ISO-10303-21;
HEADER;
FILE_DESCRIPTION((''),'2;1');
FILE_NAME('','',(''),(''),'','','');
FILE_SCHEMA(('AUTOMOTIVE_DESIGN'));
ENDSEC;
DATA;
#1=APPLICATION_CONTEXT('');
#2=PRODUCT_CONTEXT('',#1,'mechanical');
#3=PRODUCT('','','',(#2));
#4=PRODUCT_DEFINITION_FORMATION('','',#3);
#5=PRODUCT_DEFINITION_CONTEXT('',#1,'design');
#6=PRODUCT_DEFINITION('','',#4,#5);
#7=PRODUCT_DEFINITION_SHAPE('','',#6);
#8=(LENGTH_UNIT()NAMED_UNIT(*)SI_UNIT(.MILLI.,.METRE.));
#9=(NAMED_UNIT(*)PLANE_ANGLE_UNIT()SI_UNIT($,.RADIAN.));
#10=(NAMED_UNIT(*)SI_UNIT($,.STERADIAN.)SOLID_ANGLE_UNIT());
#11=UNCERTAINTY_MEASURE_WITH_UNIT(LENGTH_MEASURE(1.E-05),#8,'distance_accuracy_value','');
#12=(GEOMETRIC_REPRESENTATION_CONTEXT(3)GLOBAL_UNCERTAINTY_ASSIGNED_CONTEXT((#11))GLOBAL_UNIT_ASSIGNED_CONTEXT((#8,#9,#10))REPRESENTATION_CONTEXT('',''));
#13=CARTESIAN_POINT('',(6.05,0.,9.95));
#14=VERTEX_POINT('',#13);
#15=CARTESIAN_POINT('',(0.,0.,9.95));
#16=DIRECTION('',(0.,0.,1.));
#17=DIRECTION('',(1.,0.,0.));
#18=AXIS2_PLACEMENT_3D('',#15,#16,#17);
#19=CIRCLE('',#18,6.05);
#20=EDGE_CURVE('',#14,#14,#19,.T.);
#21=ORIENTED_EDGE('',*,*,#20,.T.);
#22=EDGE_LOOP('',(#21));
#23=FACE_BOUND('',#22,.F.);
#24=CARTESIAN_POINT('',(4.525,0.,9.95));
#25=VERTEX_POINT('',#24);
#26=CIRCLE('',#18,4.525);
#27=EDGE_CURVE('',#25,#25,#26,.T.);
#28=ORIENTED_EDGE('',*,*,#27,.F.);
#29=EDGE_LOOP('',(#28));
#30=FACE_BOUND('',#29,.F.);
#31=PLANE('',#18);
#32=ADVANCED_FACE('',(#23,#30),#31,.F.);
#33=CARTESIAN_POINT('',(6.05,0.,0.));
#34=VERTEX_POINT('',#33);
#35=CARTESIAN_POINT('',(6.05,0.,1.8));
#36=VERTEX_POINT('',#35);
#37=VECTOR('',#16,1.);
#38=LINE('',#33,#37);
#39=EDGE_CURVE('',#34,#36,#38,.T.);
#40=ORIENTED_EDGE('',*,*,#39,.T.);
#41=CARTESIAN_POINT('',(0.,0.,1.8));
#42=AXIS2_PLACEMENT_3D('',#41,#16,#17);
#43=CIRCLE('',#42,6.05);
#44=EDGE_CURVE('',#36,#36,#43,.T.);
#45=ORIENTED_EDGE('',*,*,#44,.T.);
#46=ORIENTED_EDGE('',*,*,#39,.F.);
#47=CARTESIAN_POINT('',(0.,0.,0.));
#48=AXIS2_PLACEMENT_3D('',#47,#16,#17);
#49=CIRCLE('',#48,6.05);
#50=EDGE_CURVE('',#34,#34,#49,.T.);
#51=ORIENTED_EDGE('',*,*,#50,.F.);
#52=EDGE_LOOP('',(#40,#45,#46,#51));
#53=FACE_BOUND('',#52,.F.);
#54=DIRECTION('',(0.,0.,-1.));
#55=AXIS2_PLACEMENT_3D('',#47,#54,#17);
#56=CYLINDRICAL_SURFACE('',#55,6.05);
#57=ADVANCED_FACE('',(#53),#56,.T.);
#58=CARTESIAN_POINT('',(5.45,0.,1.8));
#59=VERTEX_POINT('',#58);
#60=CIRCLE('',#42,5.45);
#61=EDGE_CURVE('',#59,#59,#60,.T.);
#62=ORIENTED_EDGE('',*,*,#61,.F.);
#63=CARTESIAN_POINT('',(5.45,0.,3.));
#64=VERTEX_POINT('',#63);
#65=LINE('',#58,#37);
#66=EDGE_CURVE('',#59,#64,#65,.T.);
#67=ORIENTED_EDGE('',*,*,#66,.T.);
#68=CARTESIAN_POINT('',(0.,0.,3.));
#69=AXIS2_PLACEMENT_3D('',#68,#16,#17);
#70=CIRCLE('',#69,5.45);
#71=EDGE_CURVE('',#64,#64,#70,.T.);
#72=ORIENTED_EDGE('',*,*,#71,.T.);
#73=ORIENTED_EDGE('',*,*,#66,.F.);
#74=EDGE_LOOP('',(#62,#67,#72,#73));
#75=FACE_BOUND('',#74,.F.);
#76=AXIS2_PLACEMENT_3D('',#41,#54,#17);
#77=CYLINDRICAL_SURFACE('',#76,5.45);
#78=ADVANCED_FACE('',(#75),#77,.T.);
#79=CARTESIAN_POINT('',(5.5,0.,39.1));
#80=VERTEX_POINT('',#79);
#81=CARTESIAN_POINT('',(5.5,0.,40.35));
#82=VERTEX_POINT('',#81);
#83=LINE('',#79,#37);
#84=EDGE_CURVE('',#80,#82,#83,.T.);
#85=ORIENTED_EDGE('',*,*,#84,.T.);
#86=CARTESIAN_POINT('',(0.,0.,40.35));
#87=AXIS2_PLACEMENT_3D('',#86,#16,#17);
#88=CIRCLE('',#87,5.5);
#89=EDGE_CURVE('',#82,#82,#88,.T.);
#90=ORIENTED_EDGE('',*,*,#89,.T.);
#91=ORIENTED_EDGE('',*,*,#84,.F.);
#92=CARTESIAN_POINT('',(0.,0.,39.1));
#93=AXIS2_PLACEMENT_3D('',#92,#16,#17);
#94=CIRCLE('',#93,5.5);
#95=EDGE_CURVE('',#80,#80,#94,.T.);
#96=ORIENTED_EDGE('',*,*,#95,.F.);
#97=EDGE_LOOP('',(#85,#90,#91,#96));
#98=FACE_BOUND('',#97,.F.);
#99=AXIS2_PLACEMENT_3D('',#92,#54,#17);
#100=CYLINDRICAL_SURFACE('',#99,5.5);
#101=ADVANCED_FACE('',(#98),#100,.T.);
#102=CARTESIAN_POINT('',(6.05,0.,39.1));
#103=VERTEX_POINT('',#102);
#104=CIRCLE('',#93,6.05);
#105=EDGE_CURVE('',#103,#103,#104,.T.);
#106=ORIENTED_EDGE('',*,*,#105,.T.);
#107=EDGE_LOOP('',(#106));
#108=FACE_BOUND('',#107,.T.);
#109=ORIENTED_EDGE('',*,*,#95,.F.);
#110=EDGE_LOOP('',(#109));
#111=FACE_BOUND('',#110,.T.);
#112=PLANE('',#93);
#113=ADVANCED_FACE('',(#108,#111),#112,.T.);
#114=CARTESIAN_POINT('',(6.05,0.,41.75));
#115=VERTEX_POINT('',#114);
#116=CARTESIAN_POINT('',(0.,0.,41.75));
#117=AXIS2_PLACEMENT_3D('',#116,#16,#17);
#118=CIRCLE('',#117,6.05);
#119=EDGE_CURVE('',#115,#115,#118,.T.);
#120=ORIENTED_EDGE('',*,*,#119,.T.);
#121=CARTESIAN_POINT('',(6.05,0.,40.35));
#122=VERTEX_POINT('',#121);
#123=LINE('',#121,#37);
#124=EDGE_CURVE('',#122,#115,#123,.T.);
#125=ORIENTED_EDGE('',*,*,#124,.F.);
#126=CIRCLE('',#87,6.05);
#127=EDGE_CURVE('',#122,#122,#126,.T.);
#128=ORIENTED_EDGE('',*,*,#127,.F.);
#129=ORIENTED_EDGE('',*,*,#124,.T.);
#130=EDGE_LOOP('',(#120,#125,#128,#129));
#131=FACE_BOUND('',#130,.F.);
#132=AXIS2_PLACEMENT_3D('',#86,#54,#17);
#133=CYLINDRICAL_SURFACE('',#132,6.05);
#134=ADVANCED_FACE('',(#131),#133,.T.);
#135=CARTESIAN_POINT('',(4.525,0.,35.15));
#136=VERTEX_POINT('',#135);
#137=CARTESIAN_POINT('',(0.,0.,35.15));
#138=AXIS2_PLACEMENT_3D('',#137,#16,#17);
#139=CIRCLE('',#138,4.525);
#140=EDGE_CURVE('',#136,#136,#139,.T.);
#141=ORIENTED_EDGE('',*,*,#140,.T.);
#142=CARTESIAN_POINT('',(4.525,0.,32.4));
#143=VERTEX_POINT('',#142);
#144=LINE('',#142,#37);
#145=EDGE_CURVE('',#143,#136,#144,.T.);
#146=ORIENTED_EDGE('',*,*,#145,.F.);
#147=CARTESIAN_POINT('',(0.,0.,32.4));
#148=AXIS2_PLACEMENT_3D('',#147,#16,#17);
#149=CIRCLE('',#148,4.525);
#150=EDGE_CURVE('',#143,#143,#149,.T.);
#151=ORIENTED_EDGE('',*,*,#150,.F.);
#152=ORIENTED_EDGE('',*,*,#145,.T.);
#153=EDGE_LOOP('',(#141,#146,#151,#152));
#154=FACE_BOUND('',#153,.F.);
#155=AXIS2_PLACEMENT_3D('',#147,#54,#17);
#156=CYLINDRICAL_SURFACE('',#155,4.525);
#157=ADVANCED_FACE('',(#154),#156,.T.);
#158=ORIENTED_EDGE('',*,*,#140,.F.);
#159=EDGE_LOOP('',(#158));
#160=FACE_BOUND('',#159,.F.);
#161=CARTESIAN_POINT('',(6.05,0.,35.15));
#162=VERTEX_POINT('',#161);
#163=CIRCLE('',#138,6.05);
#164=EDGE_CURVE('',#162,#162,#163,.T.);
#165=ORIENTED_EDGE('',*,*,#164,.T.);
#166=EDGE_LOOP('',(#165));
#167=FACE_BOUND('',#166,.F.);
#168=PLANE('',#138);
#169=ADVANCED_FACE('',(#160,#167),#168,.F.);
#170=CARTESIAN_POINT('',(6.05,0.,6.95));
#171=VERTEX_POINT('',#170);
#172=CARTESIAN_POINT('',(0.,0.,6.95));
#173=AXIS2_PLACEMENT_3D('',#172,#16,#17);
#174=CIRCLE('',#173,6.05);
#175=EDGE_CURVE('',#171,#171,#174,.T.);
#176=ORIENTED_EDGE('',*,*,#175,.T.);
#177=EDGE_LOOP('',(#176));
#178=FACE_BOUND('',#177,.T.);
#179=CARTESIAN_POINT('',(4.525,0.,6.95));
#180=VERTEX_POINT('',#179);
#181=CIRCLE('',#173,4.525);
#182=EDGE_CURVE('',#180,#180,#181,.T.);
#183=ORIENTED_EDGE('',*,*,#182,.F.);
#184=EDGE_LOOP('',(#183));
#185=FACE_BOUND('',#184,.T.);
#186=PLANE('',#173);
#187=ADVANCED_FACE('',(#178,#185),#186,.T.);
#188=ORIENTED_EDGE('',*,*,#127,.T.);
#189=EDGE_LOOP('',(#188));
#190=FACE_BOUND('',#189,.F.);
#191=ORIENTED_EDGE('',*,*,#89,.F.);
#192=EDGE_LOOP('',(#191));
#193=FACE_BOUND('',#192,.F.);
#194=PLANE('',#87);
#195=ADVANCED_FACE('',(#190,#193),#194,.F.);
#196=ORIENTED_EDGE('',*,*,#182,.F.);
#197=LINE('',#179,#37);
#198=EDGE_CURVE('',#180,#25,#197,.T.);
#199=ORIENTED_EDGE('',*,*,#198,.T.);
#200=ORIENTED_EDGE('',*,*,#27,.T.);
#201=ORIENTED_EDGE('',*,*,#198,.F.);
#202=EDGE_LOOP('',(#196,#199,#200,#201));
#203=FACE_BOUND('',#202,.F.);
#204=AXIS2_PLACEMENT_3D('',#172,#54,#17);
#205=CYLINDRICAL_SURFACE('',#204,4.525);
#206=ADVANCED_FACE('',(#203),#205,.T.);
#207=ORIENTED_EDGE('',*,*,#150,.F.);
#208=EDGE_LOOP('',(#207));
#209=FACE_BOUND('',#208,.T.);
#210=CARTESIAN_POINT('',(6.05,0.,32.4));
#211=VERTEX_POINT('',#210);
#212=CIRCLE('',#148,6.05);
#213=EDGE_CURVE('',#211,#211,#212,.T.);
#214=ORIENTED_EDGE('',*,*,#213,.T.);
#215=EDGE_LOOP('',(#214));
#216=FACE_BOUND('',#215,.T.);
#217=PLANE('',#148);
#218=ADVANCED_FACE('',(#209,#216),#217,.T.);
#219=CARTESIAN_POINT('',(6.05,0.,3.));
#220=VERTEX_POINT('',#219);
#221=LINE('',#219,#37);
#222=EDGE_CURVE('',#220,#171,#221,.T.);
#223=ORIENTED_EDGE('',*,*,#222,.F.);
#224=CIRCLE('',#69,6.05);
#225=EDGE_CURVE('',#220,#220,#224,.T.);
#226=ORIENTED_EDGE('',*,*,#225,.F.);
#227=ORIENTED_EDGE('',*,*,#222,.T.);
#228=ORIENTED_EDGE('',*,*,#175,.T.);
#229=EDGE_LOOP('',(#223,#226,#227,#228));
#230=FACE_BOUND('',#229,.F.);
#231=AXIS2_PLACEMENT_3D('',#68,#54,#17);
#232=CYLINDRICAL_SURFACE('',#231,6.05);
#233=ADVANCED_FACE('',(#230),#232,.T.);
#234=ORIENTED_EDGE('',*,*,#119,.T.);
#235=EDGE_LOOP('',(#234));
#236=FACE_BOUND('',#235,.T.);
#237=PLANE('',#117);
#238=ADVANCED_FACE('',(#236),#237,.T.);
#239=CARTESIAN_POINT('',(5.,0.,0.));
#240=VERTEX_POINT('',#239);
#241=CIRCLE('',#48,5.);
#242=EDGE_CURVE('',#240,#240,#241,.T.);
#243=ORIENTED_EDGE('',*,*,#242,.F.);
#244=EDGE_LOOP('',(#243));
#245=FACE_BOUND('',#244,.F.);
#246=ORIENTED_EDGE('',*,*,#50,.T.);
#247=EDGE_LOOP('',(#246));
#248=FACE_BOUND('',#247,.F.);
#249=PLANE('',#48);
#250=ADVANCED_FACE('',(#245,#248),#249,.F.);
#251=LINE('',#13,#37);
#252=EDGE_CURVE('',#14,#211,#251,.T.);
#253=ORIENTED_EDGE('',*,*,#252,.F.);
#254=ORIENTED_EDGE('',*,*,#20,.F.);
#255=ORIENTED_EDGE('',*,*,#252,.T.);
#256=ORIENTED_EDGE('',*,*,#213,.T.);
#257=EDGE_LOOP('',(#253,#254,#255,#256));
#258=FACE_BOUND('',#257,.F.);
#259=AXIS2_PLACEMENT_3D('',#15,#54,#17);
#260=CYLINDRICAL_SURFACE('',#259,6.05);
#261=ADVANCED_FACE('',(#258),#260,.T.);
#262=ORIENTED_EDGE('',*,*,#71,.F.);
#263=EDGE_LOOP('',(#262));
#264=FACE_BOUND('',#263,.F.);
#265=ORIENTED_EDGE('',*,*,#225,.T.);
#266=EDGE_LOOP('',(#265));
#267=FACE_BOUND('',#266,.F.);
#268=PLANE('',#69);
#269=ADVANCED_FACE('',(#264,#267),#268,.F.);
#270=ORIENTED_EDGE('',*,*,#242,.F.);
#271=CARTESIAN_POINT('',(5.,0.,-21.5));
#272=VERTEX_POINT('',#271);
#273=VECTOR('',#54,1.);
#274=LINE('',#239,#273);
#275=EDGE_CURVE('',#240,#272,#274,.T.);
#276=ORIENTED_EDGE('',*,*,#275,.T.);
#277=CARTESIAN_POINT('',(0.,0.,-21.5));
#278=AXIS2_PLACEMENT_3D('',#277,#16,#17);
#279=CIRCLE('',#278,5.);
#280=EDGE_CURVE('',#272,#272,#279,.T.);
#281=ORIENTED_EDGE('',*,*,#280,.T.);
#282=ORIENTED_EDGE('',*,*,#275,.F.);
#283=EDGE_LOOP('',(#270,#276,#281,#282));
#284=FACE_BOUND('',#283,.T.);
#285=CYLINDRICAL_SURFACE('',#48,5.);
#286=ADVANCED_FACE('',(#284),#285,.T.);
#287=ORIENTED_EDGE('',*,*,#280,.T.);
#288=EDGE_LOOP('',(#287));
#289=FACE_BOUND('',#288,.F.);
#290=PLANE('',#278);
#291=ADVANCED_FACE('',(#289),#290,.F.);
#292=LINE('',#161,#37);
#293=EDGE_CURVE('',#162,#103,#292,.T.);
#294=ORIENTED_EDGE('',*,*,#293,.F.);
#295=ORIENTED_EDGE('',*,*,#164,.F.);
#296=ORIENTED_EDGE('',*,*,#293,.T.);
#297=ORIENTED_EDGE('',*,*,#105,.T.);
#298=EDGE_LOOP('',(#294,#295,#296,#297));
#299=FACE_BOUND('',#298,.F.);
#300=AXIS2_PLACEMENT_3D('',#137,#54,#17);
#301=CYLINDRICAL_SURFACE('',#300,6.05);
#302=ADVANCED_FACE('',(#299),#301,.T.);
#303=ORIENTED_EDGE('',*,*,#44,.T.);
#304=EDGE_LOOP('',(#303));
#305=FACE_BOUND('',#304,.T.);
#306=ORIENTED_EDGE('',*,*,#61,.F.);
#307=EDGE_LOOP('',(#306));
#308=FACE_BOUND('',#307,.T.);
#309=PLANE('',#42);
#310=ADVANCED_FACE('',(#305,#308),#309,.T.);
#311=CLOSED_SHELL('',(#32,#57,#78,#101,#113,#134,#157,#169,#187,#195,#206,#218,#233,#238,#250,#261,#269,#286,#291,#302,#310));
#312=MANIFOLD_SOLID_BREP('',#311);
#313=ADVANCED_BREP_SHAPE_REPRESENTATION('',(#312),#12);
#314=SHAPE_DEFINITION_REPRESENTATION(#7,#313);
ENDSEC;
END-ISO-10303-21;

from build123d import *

# Parameters (mm, degrees)
F0_R      = 5
F1_DEPTH  = 21.5
F2_R      = 6.05
F3_DEPTH  = 1.8
F4_R      = 5.45
F5_DEPTH  = 1.2
F6_R      = 6.05
F7_DEPTH  = 3.95
F8_R      = 4.525
F9_DEPTH  = 3
F10_R     = 6.05
F11_DEPTH = 22.45
F12_R     = 4.525
F13_DEPTH = 2.75
F14_R     = 6.05
F15_DEPTH = 3.95
F16_R     = 5.5
F17_DEPTH = 1.25
F18_R     = 6.05
F19_DEPTH = 1.4


with BuildPart() as f1:
    # F0 (on Top) → F1 (new body)
    with BuildSketch(Plane.XY):
        Circle(F0_R)
    extrude(amount=-F1_DEPTH)

    # F2 (on Top) → F3 (join)
    with BuildSketch(Plane.XY):
        Circle(F2_R)
    extrude(amount=F3_DEPTH)

    # F4 (on face) → F5 (join)
    with BuildSketch(Plane.XY.offset(1.8)):
        Circle(F4_R)
    extrude(amount=F5_DEPTH)

    # F6 (on face) → F7 (join)
    with BuildSketch(Plane.XY.offset(3)):
        Circle(F6_R)
    extrude(amount=F7_DEPTH)

    # F8 (on face) → F9 (join)
    with BuildSketch(Plane.XY.offset(6.95)):
        Circle(F8_R)
    extrude(amount=F9_DEPTH)

    # F10 (on face) → F11 (join)
    with BuildSketch(Plane.XY.offset(9.95)):
        Circle(F10_R)
    extrude(amount=F11_DEPTH)

    # F12 (on face) → F13 (join)
    with BuildSketch(Plane.XY.offset(32.4)):
        Circle(F12_R)
    extrude(amount=F13_DEPTH)

    # F14 (on face) → F15 (join)
    with BuildSketch(Plane.XY.offset(35.15)):
        Circle(F14_R)
    extrude(amount=F15_DEPTH)

    # F16 (on face) → F17 (join)
    with BuildSketch(Plane.XY.offset(39.1)):
        Circle(F16_R)
    extrude(amount=F17_DEPTH)

    # F18 (on face) → F19 (join)
    with BuildSketch(Plane.XY.offset(40.35)):
        Circle(F18_R)
    extrude(amount=F19_DEPTH)


solid = f1.part
